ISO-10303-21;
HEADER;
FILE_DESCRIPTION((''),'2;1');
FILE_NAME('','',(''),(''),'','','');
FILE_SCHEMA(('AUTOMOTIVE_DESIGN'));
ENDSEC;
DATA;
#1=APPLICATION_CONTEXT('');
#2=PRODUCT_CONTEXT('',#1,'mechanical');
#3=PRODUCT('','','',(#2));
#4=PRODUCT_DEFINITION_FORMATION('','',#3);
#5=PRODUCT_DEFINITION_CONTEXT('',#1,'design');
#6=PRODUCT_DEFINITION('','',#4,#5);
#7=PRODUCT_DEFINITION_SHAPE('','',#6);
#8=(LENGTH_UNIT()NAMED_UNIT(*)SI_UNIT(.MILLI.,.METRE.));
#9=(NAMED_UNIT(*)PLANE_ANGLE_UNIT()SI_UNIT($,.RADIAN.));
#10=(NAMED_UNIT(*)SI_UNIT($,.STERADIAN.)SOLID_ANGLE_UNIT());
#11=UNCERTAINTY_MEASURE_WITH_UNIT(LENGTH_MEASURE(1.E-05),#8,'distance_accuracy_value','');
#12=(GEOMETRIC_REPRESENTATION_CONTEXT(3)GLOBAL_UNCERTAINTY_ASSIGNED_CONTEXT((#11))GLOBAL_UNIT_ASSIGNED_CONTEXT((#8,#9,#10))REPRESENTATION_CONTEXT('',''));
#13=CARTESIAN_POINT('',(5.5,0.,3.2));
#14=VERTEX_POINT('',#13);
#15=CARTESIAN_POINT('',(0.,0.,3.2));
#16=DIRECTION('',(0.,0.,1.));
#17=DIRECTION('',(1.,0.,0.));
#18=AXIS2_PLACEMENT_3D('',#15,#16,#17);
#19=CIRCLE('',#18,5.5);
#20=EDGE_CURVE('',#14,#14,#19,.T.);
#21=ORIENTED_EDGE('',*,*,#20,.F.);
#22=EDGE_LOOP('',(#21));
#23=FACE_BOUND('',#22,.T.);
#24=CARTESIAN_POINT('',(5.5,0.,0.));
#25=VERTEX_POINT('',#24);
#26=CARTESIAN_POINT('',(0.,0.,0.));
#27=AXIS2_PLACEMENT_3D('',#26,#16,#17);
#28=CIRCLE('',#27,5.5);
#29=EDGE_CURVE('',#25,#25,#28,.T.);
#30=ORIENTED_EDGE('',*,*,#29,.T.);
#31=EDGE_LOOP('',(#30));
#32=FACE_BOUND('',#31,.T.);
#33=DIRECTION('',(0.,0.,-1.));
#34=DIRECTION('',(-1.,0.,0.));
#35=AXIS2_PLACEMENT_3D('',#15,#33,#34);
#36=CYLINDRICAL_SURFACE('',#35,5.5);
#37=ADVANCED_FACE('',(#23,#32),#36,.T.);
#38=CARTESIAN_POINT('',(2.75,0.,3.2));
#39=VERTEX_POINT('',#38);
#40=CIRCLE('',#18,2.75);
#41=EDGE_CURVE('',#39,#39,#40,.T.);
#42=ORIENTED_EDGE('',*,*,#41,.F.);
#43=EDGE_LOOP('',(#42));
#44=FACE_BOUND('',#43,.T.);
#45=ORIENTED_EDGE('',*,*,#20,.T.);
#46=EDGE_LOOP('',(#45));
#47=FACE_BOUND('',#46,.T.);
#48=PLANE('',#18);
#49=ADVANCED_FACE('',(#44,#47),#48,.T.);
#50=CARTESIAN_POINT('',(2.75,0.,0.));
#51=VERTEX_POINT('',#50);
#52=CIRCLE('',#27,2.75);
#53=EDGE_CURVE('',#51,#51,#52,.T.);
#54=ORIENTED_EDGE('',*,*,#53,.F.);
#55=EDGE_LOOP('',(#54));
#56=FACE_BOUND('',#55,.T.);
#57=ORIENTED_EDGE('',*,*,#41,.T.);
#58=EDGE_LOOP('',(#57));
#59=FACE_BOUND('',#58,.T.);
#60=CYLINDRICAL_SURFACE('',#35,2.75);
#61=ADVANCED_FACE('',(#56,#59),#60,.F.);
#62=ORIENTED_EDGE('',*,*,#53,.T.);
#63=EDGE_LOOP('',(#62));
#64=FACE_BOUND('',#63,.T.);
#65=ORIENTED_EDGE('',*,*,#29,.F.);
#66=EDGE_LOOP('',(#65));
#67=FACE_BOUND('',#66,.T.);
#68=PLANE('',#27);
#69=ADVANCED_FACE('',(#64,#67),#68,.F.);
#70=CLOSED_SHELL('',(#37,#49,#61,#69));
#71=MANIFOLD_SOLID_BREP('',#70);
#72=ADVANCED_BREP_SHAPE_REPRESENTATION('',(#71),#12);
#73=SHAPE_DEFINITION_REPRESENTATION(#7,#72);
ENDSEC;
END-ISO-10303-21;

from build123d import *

# Parameters (mm, degrees)
BASES_R    = 5.5
BASES_R_2  = 2.75
BASE_DEPTH = 3.2


with BuildPart() as part:
    # BaseS → BASE (new body)
    with BuildSketch(Plane.XY):
        Circle(BASES_R)
        Circle(BASES_R_2, mode=Mode.SUBTRACT)
    extrude(amount=BASE_DEPTH)


solid = part.part
